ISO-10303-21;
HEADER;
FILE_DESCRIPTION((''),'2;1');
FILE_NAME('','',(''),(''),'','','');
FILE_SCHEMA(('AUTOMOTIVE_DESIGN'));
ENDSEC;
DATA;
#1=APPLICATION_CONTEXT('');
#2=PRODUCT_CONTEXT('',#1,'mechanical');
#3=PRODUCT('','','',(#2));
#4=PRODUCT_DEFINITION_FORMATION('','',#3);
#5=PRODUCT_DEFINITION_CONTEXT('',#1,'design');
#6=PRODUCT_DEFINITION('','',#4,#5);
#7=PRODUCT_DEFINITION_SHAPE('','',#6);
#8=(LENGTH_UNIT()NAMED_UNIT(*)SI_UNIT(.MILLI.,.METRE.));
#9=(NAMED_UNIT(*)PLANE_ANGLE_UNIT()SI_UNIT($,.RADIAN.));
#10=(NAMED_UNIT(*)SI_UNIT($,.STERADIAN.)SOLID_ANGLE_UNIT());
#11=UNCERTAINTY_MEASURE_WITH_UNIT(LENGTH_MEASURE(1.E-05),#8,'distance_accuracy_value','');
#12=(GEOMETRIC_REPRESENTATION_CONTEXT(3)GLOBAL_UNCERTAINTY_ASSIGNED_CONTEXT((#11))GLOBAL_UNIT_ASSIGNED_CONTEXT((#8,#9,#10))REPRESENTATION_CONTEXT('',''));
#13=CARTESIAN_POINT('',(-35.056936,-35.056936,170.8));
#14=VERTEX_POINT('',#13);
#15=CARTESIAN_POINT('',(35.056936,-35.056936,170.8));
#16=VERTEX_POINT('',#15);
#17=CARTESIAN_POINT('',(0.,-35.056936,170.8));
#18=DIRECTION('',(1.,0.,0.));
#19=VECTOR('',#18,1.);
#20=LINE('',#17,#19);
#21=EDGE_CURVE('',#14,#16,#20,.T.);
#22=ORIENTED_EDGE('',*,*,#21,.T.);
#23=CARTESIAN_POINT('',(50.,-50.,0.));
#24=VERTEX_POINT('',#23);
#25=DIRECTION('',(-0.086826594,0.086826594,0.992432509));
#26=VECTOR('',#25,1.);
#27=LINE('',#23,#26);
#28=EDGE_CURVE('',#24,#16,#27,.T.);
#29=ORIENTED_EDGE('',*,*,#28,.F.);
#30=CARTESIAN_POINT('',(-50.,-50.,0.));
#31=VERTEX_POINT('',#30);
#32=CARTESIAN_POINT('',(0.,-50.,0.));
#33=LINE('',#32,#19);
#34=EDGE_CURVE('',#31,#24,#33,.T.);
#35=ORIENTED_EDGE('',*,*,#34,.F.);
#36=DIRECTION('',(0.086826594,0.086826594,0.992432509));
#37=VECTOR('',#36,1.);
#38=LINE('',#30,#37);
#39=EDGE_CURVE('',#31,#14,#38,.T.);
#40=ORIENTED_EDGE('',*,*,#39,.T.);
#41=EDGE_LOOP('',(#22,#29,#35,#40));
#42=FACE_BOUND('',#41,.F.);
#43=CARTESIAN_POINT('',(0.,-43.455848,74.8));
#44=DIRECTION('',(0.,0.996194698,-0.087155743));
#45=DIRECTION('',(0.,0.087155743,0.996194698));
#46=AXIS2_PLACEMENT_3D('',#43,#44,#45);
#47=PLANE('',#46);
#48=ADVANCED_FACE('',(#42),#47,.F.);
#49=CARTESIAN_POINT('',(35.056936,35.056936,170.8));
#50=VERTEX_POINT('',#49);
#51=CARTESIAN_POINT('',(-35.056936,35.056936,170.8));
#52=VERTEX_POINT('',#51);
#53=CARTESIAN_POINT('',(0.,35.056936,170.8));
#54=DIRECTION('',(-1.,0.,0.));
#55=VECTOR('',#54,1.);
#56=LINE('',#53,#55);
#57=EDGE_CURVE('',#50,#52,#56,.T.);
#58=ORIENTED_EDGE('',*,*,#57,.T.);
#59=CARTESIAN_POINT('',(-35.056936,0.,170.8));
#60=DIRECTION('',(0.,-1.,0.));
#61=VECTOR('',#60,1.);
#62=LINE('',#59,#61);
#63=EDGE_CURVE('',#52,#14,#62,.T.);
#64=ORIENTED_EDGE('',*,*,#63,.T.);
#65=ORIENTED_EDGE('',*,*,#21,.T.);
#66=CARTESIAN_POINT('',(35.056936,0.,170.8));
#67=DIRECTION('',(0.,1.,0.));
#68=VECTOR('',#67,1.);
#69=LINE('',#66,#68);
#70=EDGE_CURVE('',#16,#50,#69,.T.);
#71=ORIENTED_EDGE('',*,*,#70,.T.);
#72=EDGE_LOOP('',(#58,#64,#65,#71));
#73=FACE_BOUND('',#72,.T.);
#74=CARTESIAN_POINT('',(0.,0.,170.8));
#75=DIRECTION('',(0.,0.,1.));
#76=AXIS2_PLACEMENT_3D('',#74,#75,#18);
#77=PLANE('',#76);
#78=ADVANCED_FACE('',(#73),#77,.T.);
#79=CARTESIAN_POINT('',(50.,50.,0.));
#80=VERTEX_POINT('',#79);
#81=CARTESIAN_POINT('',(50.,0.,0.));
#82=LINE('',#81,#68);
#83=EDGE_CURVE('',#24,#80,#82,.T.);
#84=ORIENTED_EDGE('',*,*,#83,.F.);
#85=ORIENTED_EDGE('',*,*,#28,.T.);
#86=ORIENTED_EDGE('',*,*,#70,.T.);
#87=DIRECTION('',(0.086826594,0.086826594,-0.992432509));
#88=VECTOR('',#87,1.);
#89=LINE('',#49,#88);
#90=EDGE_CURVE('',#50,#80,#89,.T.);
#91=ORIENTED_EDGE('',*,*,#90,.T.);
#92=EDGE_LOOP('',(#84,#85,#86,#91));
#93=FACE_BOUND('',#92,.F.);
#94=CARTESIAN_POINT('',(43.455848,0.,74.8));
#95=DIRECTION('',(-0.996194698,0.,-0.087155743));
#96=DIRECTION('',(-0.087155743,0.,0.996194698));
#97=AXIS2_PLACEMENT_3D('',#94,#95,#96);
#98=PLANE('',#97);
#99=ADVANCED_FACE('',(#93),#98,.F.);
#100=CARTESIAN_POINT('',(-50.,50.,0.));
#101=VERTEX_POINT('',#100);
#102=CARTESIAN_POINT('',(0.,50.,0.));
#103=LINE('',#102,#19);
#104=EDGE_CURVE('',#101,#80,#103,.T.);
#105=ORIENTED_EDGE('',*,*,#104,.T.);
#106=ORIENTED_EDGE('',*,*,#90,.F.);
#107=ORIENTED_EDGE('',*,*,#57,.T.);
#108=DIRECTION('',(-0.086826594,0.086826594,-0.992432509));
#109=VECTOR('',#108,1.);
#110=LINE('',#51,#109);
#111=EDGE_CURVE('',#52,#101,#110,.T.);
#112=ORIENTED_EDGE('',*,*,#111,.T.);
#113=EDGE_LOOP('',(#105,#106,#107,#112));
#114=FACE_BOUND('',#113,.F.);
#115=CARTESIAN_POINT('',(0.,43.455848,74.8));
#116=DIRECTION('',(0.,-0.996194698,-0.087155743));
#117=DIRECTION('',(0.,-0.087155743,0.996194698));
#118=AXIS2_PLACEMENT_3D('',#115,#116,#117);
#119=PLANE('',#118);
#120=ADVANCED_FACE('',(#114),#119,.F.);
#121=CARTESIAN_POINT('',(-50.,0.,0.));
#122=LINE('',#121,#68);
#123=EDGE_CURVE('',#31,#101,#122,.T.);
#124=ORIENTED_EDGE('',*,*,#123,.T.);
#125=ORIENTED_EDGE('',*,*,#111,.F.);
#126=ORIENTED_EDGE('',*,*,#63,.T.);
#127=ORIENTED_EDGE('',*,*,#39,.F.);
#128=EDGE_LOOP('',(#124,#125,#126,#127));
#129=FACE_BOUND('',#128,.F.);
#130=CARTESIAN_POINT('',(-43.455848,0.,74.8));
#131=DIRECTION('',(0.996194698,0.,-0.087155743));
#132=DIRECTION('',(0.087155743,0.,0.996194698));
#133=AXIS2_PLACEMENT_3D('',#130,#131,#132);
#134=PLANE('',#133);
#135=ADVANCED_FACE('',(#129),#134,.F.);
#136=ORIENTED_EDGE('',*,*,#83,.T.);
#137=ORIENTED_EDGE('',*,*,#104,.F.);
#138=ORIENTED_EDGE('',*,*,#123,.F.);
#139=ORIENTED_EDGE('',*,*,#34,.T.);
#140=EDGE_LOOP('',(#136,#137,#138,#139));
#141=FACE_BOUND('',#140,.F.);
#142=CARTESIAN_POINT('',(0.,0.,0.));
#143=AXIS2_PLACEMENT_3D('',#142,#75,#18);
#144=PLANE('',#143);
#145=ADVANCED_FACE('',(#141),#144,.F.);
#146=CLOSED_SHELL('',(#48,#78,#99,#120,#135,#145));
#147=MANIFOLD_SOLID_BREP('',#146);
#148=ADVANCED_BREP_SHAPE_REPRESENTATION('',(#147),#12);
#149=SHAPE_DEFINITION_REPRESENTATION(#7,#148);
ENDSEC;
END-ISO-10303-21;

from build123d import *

# Parameters (mm, degrees)
F0_W      = 100
F0_H      = 100
F1_DEPTH  = 74.8
F1_TAPER  = 5
F1_FACE_W = 86.9116959365
F1_FACE_H = 86.9116959365
F2_DEPTH  = 96
F2_TAPER  = 5


with BuildPart() as f1:
    # F0 (on Top) → F1 (new body)
    with BuildSketch(Plane.XY):
        Rectangle(F0_W, F0_H)
    extrude(amount=F1_DEPTH, taper=F1_TAPER)

    # F1_face (on face) → F2 (join)
    with BuildSketch(Plane.XY.offset(74.8)):
        Rectangle(F1_FACE_W, F1_FACE_H)
    extrude(amount=F2_DEPTH, taper=F2_TAPER)


solid = f1.part
